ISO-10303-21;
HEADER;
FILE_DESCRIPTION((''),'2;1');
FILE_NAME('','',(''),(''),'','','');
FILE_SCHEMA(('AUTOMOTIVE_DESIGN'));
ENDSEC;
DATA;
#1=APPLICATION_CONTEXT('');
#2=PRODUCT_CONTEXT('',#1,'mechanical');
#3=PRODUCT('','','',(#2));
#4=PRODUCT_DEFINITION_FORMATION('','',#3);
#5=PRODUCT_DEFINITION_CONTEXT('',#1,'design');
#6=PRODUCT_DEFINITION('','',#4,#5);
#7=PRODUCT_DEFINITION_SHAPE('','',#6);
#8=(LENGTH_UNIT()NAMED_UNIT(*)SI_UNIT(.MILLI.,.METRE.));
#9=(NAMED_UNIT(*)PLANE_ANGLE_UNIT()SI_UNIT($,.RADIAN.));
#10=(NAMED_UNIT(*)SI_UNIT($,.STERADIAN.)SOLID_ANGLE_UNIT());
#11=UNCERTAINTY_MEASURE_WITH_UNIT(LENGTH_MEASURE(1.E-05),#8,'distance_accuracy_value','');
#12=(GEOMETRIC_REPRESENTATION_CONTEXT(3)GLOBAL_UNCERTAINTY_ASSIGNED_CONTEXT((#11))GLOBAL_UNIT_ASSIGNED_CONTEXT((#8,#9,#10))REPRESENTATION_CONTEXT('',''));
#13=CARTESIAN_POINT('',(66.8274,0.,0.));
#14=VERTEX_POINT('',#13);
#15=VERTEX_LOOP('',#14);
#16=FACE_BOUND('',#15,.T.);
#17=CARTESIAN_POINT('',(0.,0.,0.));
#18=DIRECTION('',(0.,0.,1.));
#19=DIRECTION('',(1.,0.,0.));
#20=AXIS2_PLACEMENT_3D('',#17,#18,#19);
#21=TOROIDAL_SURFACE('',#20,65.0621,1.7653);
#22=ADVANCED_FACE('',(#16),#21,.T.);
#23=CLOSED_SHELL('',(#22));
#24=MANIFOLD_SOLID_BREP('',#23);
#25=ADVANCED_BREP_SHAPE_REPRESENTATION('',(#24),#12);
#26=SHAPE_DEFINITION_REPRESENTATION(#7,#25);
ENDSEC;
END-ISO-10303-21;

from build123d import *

# Parameters (mm, degrees)
SKETCH2_R = 1.7653


with BuildPart() as part:
    # Sketch2 → Revolve1 (revolve)
    with BuildSketch(Plane(origin=(0, 0, 0), x_dir=(1, 0, 0), z_dir=(0, 1, 0)), mode=Mode.PRIVATE) as revolve1_sk:
        with Locations((-65.0621, 0)):
            Circle(SKETCH2_R)
    revolve(revolve1_sk.sketch.rotate(Axis((0, 0, 1.7653), (0, 0, -1)), 180), axis=Axis((0, 0, 1.7653), (0, 0, -1)))


solid = part.part
